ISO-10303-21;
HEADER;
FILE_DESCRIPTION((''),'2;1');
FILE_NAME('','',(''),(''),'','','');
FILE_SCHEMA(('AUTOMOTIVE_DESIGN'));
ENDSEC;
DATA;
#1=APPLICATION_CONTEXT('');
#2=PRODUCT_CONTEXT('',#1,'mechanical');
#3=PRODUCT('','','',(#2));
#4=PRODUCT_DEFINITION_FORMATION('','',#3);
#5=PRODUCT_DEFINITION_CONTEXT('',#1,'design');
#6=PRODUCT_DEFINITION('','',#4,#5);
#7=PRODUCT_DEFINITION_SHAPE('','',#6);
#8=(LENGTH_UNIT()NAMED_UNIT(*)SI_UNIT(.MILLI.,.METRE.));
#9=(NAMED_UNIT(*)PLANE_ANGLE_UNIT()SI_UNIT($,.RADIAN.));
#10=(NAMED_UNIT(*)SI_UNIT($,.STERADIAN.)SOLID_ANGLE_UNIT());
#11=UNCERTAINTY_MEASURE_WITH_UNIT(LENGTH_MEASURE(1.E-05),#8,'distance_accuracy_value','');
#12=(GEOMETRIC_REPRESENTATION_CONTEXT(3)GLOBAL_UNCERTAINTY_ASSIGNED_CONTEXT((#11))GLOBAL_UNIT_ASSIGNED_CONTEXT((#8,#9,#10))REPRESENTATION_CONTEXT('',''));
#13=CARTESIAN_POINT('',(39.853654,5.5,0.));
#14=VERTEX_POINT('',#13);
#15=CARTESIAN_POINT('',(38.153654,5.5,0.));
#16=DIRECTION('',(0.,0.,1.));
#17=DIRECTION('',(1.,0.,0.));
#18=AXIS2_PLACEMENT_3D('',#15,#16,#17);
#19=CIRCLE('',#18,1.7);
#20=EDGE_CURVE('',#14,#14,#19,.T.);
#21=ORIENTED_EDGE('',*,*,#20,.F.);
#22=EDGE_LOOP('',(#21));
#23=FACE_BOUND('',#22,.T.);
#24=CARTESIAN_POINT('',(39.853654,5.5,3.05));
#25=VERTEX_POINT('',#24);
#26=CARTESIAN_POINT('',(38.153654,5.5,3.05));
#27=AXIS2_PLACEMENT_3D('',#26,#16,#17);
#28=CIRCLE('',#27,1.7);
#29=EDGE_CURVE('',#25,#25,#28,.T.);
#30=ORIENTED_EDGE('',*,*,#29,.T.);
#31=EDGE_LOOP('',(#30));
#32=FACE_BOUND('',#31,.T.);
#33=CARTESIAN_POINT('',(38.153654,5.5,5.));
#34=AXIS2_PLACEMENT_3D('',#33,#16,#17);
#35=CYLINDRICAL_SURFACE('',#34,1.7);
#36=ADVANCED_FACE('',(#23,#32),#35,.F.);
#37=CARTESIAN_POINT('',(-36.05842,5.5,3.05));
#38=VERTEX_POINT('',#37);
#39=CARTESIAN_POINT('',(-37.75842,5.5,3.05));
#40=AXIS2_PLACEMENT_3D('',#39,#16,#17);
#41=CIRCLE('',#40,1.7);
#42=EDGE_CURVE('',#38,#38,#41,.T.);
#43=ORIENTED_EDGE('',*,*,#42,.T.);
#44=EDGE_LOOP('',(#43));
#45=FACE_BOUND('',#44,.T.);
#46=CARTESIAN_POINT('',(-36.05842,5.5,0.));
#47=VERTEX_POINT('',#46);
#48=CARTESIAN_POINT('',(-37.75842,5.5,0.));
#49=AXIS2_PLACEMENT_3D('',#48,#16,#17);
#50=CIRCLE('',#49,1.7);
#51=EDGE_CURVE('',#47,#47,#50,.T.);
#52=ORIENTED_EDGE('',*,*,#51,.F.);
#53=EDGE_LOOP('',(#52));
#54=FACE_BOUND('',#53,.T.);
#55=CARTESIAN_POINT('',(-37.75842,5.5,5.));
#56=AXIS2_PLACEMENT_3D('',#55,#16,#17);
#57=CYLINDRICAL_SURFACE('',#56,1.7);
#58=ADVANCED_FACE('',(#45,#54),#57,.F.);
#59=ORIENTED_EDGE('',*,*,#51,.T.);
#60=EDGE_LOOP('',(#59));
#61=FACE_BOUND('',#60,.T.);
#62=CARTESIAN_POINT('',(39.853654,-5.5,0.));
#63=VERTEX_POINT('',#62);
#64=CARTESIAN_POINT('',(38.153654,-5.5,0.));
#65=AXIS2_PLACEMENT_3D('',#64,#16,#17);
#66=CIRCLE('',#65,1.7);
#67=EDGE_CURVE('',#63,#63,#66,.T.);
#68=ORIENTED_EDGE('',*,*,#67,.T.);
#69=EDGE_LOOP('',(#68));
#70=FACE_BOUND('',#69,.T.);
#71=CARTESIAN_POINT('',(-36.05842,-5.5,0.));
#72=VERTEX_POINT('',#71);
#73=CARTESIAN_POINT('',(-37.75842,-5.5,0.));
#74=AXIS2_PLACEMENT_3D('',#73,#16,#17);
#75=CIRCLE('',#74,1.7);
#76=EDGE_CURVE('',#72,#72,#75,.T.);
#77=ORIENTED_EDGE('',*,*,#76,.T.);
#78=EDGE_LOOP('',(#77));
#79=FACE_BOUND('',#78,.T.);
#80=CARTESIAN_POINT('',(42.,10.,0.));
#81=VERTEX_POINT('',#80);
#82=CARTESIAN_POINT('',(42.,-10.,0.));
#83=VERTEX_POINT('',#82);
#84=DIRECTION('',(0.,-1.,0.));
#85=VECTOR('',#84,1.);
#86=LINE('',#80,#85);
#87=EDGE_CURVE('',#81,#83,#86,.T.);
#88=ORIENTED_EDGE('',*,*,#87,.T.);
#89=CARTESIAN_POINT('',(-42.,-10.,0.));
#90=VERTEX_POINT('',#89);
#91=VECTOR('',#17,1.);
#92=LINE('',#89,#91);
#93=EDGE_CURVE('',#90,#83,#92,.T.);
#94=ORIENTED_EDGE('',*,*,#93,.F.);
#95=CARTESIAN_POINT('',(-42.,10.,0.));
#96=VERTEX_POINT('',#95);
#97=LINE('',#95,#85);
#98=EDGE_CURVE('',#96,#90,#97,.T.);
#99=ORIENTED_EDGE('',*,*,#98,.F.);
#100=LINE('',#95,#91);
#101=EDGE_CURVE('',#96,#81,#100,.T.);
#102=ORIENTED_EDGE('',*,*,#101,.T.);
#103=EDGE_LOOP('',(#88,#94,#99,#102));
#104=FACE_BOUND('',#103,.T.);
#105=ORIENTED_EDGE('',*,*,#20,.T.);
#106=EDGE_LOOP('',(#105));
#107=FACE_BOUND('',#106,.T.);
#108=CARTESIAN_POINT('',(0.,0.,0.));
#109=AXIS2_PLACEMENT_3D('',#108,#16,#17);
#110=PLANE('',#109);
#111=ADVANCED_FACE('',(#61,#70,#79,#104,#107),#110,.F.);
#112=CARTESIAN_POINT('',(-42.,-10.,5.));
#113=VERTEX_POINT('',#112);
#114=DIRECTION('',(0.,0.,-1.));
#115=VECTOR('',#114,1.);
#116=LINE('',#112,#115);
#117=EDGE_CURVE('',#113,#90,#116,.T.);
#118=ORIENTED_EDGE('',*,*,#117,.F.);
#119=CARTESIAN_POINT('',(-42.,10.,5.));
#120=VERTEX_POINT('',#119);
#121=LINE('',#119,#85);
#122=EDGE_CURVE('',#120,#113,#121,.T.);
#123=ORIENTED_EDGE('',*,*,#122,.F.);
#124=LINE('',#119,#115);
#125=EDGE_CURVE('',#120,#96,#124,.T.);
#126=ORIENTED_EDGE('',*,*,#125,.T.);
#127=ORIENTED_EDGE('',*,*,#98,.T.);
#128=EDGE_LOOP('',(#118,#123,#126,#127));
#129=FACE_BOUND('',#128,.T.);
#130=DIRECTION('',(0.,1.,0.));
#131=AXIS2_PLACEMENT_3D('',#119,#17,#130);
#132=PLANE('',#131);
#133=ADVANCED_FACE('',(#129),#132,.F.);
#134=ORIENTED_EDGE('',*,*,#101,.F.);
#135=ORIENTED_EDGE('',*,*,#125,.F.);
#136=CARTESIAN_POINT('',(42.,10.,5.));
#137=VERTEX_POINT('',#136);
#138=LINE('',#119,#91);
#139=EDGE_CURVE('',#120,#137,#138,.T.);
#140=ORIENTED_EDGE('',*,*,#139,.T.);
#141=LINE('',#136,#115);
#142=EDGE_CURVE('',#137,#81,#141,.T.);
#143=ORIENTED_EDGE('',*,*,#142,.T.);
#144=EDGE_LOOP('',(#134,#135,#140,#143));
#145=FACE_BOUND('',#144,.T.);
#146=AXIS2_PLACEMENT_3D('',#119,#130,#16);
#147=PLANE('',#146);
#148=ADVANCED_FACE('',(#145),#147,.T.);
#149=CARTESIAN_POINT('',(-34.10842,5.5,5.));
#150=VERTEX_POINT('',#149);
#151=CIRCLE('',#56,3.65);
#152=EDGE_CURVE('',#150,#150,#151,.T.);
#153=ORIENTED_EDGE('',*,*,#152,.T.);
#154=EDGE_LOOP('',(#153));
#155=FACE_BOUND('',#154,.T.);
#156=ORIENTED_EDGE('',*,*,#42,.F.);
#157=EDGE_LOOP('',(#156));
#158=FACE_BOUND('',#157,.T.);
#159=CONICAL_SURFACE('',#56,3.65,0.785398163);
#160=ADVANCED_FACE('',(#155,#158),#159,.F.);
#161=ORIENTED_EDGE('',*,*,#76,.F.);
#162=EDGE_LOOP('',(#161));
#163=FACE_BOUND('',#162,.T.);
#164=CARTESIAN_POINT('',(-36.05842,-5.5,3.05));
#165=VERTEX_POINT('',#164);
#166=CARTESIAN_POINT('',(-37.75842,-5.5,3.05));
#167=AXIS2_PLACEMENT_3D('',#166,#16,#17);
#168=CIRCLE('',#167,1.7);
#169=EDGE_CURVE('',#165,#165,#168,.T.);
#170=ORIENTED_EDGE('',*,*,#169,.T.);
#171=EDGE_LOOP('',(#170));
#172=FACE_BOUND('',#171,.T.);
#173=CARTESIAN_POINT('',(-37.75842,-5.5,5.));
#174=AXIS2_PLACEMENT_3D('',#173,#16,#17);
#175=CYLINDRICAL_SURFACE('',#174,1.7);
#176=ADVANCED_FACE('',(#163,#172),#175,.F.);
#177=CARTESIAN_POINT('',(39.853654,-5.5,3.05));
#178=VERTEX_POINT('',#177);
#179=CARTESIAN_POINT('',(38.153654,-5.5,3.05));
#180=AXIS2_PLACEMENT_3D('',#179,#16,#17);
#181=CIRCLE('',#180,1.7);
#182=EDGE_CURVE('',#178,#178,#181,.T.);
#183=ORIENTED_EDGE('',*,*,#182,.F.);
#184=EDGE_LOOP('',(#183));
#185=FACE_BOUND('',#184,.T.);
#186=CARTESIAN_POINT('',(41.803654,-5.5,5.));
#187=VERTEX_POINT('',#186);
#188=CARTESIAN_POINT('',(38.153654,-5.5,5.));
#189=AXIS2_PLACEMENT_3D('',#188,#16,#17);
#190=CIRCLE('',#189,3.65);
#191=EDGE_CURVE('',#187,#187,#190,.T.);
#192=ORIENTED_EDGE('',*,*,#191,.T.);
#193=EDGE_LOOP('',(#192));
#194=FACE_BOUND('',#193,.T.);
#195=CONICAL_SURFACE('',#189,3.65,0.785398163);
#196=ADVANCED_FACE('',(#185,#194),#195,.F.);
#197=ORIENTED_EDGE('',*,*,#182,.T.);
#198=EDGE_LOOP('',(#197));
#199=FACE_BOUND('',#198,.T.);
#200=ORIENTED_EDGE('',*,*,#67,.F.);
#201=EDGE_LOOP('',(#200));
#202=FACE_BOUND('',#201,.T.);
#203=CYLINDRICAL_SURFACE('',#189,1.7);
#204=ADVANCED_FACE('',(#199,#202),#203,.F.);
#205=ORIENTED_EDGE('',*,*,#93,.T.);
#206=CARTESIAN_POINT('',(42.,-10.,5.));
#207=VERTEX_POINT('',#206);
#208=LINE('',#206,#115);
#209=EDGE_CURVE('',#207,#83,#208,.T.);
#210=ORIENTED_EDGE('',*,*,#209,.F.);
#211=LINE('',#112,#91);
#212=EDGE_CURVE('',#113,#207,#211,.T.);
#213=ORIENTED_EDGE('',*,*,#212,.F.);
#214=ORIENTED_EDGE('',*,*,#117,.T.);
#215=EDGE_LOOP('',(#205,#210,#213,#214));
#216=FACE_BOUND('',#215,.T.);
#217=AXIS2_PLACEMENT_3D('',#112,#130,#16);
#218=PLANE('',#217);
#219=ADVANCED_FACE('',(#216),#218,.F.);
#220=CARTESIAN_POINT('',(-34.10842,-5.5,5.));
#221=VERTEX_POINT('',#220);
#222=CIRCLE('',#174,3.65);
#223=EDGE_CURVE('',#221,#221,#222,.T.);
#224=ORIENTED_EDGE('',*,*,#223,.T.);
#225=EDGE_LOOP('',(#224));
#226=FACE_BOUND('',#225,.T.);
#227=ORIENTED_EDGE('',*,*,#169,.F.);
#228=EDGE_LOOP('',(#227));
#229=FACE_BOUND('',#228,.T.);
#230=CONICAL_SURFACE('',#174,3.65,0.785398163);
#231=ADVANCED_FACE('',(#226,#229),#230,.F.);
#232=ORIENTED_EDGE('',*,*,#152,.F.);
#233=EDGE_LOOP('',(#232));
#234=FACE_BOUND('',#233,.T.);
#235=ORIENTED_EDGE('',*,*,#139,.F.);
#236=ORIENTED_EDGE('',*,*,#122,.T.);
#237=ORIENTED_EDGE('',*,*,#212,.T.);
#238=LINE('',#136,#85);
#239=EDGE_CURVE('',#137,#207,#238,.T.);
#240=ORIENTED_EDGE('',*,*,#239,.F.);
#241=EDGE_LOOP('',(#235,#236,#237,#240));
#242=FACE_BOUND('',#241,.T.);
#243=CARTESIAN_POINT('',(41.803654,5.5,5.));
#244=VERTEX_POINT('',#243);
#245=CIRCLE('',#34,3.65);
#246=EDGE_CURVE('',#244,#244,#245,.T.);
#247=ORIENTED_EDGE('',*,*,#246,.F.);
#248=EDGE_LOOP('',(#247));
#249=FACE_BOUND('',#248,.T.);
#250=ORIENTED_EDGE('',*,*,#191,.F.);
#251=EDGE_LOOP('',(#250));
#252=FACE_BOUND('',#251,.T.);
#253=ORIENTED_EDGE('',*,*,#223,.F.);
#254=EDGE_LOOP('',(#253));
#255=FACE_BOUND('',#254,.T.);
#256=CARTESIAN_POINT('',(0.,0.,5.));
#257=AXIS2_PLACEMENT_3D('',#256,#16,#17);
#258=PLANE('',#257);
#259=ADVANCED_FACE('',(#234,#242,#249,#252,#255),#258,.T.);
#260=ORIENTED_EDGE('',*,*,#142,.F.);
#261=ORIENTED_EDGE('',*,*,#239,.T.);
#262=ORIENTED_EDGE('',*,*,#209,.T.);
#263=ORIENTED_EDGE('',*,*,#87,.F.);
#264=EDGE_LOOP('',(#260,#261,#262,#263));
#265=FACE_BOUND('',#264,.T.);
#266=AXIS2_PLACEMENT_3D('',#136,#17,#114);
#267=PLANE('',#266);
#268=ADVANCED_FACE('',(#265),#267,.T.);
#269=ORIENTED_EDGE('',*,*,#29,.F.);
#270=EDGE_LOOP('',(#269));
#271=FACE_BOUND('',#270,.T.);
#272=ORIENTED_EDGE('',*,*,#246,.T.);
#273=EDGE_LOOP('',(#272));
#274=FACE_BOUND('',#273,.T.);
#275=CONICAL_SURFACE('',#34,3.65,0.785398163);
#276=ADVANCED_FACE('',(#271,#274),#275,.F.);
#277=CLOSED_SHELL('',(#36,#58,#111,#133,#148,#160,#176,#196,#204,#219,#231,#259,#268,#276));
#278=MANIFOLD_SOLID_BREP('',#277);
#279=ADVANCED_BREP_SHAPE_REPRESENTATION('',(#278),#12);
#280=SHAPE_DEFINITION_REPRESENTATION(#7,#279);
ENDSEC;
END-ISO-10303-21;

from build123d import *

# Parameters (mm, degrees)
SKETCH1_W                                       = 84
SKETCH1_H                                       = 20
BOSS_EXTRUDE1_DEPTH                             = 5
CSK_FOR_M3_FLAT_HEAD_MACHINE_SCREW1_D           = 3.4
CSK_FOR_M3_FLAT_HEAD_MACHINE_SCREW1_DEPTH       = 12
CSK_FOR_M3_FLAT_HEAD_MACHINE_SCREW1_CSINK_D     = 7.3
CSK_FOR_M3_FLAT_HEAD_MACHINE_SCREW1_CSINK_ANGLE = 90
CSK_FOR_M3_FLAT_HEAD_MACHINE_SCREW1_TIP         = 1.021463052


with BuildPart() as part:
    # Sketch1 → Boss-Extrude1 (new body)
    with BuildSketch(Plane.XY):
        Rectangle(SKETCH1_W, SKETCH1_H)
    extrude(amount=BOSS_EXTRUDE1_DEPTH)

    # CSK for M3 Flat Head Machine Screw1
    with Locations(Plane.XY.offset(5)):
        with Locations((38.153654124, 5.5), (38.153654124, -5.5), (-37.758420274, 5.5), (-37.758420274, -5.5)):
            CounterSinkHole(CSK_FOR_M3_FLAT_HEAD_MACHINE_SCREW1_D / 2, CSK_FOR_M3_FLAT_HEAD_MACHINE_SCREW1_CSINK_D / 2, depth=CSK_FOR_M3_FLAT_HEAD_MACHINE_SCREW1_DEPTH, counter_sink_angle=CSK_FOR_M3_FLAT_HEAD_MACHINE_SCREW1_CSINK_ANGLE)
            with Locations((0, 0, -(CSK_FOR_M3_FLAT_HEAD_MACHINE_SCREW1_DEPTH + CSK_FOR_M3_FLAT_HEAD_MACHINE_SCREW1_TIP / 2))):  # 118° drill point
                Cone(0, CSK_FOR_M3_FLAT_HEAD_MACHINE_SCREW1_D / 2, CSK_FOR_M3_FLAT_HEAD_MACHINE_SCREW1_TIP, mode=Mode.SUBTRACT)


solid = part.part
